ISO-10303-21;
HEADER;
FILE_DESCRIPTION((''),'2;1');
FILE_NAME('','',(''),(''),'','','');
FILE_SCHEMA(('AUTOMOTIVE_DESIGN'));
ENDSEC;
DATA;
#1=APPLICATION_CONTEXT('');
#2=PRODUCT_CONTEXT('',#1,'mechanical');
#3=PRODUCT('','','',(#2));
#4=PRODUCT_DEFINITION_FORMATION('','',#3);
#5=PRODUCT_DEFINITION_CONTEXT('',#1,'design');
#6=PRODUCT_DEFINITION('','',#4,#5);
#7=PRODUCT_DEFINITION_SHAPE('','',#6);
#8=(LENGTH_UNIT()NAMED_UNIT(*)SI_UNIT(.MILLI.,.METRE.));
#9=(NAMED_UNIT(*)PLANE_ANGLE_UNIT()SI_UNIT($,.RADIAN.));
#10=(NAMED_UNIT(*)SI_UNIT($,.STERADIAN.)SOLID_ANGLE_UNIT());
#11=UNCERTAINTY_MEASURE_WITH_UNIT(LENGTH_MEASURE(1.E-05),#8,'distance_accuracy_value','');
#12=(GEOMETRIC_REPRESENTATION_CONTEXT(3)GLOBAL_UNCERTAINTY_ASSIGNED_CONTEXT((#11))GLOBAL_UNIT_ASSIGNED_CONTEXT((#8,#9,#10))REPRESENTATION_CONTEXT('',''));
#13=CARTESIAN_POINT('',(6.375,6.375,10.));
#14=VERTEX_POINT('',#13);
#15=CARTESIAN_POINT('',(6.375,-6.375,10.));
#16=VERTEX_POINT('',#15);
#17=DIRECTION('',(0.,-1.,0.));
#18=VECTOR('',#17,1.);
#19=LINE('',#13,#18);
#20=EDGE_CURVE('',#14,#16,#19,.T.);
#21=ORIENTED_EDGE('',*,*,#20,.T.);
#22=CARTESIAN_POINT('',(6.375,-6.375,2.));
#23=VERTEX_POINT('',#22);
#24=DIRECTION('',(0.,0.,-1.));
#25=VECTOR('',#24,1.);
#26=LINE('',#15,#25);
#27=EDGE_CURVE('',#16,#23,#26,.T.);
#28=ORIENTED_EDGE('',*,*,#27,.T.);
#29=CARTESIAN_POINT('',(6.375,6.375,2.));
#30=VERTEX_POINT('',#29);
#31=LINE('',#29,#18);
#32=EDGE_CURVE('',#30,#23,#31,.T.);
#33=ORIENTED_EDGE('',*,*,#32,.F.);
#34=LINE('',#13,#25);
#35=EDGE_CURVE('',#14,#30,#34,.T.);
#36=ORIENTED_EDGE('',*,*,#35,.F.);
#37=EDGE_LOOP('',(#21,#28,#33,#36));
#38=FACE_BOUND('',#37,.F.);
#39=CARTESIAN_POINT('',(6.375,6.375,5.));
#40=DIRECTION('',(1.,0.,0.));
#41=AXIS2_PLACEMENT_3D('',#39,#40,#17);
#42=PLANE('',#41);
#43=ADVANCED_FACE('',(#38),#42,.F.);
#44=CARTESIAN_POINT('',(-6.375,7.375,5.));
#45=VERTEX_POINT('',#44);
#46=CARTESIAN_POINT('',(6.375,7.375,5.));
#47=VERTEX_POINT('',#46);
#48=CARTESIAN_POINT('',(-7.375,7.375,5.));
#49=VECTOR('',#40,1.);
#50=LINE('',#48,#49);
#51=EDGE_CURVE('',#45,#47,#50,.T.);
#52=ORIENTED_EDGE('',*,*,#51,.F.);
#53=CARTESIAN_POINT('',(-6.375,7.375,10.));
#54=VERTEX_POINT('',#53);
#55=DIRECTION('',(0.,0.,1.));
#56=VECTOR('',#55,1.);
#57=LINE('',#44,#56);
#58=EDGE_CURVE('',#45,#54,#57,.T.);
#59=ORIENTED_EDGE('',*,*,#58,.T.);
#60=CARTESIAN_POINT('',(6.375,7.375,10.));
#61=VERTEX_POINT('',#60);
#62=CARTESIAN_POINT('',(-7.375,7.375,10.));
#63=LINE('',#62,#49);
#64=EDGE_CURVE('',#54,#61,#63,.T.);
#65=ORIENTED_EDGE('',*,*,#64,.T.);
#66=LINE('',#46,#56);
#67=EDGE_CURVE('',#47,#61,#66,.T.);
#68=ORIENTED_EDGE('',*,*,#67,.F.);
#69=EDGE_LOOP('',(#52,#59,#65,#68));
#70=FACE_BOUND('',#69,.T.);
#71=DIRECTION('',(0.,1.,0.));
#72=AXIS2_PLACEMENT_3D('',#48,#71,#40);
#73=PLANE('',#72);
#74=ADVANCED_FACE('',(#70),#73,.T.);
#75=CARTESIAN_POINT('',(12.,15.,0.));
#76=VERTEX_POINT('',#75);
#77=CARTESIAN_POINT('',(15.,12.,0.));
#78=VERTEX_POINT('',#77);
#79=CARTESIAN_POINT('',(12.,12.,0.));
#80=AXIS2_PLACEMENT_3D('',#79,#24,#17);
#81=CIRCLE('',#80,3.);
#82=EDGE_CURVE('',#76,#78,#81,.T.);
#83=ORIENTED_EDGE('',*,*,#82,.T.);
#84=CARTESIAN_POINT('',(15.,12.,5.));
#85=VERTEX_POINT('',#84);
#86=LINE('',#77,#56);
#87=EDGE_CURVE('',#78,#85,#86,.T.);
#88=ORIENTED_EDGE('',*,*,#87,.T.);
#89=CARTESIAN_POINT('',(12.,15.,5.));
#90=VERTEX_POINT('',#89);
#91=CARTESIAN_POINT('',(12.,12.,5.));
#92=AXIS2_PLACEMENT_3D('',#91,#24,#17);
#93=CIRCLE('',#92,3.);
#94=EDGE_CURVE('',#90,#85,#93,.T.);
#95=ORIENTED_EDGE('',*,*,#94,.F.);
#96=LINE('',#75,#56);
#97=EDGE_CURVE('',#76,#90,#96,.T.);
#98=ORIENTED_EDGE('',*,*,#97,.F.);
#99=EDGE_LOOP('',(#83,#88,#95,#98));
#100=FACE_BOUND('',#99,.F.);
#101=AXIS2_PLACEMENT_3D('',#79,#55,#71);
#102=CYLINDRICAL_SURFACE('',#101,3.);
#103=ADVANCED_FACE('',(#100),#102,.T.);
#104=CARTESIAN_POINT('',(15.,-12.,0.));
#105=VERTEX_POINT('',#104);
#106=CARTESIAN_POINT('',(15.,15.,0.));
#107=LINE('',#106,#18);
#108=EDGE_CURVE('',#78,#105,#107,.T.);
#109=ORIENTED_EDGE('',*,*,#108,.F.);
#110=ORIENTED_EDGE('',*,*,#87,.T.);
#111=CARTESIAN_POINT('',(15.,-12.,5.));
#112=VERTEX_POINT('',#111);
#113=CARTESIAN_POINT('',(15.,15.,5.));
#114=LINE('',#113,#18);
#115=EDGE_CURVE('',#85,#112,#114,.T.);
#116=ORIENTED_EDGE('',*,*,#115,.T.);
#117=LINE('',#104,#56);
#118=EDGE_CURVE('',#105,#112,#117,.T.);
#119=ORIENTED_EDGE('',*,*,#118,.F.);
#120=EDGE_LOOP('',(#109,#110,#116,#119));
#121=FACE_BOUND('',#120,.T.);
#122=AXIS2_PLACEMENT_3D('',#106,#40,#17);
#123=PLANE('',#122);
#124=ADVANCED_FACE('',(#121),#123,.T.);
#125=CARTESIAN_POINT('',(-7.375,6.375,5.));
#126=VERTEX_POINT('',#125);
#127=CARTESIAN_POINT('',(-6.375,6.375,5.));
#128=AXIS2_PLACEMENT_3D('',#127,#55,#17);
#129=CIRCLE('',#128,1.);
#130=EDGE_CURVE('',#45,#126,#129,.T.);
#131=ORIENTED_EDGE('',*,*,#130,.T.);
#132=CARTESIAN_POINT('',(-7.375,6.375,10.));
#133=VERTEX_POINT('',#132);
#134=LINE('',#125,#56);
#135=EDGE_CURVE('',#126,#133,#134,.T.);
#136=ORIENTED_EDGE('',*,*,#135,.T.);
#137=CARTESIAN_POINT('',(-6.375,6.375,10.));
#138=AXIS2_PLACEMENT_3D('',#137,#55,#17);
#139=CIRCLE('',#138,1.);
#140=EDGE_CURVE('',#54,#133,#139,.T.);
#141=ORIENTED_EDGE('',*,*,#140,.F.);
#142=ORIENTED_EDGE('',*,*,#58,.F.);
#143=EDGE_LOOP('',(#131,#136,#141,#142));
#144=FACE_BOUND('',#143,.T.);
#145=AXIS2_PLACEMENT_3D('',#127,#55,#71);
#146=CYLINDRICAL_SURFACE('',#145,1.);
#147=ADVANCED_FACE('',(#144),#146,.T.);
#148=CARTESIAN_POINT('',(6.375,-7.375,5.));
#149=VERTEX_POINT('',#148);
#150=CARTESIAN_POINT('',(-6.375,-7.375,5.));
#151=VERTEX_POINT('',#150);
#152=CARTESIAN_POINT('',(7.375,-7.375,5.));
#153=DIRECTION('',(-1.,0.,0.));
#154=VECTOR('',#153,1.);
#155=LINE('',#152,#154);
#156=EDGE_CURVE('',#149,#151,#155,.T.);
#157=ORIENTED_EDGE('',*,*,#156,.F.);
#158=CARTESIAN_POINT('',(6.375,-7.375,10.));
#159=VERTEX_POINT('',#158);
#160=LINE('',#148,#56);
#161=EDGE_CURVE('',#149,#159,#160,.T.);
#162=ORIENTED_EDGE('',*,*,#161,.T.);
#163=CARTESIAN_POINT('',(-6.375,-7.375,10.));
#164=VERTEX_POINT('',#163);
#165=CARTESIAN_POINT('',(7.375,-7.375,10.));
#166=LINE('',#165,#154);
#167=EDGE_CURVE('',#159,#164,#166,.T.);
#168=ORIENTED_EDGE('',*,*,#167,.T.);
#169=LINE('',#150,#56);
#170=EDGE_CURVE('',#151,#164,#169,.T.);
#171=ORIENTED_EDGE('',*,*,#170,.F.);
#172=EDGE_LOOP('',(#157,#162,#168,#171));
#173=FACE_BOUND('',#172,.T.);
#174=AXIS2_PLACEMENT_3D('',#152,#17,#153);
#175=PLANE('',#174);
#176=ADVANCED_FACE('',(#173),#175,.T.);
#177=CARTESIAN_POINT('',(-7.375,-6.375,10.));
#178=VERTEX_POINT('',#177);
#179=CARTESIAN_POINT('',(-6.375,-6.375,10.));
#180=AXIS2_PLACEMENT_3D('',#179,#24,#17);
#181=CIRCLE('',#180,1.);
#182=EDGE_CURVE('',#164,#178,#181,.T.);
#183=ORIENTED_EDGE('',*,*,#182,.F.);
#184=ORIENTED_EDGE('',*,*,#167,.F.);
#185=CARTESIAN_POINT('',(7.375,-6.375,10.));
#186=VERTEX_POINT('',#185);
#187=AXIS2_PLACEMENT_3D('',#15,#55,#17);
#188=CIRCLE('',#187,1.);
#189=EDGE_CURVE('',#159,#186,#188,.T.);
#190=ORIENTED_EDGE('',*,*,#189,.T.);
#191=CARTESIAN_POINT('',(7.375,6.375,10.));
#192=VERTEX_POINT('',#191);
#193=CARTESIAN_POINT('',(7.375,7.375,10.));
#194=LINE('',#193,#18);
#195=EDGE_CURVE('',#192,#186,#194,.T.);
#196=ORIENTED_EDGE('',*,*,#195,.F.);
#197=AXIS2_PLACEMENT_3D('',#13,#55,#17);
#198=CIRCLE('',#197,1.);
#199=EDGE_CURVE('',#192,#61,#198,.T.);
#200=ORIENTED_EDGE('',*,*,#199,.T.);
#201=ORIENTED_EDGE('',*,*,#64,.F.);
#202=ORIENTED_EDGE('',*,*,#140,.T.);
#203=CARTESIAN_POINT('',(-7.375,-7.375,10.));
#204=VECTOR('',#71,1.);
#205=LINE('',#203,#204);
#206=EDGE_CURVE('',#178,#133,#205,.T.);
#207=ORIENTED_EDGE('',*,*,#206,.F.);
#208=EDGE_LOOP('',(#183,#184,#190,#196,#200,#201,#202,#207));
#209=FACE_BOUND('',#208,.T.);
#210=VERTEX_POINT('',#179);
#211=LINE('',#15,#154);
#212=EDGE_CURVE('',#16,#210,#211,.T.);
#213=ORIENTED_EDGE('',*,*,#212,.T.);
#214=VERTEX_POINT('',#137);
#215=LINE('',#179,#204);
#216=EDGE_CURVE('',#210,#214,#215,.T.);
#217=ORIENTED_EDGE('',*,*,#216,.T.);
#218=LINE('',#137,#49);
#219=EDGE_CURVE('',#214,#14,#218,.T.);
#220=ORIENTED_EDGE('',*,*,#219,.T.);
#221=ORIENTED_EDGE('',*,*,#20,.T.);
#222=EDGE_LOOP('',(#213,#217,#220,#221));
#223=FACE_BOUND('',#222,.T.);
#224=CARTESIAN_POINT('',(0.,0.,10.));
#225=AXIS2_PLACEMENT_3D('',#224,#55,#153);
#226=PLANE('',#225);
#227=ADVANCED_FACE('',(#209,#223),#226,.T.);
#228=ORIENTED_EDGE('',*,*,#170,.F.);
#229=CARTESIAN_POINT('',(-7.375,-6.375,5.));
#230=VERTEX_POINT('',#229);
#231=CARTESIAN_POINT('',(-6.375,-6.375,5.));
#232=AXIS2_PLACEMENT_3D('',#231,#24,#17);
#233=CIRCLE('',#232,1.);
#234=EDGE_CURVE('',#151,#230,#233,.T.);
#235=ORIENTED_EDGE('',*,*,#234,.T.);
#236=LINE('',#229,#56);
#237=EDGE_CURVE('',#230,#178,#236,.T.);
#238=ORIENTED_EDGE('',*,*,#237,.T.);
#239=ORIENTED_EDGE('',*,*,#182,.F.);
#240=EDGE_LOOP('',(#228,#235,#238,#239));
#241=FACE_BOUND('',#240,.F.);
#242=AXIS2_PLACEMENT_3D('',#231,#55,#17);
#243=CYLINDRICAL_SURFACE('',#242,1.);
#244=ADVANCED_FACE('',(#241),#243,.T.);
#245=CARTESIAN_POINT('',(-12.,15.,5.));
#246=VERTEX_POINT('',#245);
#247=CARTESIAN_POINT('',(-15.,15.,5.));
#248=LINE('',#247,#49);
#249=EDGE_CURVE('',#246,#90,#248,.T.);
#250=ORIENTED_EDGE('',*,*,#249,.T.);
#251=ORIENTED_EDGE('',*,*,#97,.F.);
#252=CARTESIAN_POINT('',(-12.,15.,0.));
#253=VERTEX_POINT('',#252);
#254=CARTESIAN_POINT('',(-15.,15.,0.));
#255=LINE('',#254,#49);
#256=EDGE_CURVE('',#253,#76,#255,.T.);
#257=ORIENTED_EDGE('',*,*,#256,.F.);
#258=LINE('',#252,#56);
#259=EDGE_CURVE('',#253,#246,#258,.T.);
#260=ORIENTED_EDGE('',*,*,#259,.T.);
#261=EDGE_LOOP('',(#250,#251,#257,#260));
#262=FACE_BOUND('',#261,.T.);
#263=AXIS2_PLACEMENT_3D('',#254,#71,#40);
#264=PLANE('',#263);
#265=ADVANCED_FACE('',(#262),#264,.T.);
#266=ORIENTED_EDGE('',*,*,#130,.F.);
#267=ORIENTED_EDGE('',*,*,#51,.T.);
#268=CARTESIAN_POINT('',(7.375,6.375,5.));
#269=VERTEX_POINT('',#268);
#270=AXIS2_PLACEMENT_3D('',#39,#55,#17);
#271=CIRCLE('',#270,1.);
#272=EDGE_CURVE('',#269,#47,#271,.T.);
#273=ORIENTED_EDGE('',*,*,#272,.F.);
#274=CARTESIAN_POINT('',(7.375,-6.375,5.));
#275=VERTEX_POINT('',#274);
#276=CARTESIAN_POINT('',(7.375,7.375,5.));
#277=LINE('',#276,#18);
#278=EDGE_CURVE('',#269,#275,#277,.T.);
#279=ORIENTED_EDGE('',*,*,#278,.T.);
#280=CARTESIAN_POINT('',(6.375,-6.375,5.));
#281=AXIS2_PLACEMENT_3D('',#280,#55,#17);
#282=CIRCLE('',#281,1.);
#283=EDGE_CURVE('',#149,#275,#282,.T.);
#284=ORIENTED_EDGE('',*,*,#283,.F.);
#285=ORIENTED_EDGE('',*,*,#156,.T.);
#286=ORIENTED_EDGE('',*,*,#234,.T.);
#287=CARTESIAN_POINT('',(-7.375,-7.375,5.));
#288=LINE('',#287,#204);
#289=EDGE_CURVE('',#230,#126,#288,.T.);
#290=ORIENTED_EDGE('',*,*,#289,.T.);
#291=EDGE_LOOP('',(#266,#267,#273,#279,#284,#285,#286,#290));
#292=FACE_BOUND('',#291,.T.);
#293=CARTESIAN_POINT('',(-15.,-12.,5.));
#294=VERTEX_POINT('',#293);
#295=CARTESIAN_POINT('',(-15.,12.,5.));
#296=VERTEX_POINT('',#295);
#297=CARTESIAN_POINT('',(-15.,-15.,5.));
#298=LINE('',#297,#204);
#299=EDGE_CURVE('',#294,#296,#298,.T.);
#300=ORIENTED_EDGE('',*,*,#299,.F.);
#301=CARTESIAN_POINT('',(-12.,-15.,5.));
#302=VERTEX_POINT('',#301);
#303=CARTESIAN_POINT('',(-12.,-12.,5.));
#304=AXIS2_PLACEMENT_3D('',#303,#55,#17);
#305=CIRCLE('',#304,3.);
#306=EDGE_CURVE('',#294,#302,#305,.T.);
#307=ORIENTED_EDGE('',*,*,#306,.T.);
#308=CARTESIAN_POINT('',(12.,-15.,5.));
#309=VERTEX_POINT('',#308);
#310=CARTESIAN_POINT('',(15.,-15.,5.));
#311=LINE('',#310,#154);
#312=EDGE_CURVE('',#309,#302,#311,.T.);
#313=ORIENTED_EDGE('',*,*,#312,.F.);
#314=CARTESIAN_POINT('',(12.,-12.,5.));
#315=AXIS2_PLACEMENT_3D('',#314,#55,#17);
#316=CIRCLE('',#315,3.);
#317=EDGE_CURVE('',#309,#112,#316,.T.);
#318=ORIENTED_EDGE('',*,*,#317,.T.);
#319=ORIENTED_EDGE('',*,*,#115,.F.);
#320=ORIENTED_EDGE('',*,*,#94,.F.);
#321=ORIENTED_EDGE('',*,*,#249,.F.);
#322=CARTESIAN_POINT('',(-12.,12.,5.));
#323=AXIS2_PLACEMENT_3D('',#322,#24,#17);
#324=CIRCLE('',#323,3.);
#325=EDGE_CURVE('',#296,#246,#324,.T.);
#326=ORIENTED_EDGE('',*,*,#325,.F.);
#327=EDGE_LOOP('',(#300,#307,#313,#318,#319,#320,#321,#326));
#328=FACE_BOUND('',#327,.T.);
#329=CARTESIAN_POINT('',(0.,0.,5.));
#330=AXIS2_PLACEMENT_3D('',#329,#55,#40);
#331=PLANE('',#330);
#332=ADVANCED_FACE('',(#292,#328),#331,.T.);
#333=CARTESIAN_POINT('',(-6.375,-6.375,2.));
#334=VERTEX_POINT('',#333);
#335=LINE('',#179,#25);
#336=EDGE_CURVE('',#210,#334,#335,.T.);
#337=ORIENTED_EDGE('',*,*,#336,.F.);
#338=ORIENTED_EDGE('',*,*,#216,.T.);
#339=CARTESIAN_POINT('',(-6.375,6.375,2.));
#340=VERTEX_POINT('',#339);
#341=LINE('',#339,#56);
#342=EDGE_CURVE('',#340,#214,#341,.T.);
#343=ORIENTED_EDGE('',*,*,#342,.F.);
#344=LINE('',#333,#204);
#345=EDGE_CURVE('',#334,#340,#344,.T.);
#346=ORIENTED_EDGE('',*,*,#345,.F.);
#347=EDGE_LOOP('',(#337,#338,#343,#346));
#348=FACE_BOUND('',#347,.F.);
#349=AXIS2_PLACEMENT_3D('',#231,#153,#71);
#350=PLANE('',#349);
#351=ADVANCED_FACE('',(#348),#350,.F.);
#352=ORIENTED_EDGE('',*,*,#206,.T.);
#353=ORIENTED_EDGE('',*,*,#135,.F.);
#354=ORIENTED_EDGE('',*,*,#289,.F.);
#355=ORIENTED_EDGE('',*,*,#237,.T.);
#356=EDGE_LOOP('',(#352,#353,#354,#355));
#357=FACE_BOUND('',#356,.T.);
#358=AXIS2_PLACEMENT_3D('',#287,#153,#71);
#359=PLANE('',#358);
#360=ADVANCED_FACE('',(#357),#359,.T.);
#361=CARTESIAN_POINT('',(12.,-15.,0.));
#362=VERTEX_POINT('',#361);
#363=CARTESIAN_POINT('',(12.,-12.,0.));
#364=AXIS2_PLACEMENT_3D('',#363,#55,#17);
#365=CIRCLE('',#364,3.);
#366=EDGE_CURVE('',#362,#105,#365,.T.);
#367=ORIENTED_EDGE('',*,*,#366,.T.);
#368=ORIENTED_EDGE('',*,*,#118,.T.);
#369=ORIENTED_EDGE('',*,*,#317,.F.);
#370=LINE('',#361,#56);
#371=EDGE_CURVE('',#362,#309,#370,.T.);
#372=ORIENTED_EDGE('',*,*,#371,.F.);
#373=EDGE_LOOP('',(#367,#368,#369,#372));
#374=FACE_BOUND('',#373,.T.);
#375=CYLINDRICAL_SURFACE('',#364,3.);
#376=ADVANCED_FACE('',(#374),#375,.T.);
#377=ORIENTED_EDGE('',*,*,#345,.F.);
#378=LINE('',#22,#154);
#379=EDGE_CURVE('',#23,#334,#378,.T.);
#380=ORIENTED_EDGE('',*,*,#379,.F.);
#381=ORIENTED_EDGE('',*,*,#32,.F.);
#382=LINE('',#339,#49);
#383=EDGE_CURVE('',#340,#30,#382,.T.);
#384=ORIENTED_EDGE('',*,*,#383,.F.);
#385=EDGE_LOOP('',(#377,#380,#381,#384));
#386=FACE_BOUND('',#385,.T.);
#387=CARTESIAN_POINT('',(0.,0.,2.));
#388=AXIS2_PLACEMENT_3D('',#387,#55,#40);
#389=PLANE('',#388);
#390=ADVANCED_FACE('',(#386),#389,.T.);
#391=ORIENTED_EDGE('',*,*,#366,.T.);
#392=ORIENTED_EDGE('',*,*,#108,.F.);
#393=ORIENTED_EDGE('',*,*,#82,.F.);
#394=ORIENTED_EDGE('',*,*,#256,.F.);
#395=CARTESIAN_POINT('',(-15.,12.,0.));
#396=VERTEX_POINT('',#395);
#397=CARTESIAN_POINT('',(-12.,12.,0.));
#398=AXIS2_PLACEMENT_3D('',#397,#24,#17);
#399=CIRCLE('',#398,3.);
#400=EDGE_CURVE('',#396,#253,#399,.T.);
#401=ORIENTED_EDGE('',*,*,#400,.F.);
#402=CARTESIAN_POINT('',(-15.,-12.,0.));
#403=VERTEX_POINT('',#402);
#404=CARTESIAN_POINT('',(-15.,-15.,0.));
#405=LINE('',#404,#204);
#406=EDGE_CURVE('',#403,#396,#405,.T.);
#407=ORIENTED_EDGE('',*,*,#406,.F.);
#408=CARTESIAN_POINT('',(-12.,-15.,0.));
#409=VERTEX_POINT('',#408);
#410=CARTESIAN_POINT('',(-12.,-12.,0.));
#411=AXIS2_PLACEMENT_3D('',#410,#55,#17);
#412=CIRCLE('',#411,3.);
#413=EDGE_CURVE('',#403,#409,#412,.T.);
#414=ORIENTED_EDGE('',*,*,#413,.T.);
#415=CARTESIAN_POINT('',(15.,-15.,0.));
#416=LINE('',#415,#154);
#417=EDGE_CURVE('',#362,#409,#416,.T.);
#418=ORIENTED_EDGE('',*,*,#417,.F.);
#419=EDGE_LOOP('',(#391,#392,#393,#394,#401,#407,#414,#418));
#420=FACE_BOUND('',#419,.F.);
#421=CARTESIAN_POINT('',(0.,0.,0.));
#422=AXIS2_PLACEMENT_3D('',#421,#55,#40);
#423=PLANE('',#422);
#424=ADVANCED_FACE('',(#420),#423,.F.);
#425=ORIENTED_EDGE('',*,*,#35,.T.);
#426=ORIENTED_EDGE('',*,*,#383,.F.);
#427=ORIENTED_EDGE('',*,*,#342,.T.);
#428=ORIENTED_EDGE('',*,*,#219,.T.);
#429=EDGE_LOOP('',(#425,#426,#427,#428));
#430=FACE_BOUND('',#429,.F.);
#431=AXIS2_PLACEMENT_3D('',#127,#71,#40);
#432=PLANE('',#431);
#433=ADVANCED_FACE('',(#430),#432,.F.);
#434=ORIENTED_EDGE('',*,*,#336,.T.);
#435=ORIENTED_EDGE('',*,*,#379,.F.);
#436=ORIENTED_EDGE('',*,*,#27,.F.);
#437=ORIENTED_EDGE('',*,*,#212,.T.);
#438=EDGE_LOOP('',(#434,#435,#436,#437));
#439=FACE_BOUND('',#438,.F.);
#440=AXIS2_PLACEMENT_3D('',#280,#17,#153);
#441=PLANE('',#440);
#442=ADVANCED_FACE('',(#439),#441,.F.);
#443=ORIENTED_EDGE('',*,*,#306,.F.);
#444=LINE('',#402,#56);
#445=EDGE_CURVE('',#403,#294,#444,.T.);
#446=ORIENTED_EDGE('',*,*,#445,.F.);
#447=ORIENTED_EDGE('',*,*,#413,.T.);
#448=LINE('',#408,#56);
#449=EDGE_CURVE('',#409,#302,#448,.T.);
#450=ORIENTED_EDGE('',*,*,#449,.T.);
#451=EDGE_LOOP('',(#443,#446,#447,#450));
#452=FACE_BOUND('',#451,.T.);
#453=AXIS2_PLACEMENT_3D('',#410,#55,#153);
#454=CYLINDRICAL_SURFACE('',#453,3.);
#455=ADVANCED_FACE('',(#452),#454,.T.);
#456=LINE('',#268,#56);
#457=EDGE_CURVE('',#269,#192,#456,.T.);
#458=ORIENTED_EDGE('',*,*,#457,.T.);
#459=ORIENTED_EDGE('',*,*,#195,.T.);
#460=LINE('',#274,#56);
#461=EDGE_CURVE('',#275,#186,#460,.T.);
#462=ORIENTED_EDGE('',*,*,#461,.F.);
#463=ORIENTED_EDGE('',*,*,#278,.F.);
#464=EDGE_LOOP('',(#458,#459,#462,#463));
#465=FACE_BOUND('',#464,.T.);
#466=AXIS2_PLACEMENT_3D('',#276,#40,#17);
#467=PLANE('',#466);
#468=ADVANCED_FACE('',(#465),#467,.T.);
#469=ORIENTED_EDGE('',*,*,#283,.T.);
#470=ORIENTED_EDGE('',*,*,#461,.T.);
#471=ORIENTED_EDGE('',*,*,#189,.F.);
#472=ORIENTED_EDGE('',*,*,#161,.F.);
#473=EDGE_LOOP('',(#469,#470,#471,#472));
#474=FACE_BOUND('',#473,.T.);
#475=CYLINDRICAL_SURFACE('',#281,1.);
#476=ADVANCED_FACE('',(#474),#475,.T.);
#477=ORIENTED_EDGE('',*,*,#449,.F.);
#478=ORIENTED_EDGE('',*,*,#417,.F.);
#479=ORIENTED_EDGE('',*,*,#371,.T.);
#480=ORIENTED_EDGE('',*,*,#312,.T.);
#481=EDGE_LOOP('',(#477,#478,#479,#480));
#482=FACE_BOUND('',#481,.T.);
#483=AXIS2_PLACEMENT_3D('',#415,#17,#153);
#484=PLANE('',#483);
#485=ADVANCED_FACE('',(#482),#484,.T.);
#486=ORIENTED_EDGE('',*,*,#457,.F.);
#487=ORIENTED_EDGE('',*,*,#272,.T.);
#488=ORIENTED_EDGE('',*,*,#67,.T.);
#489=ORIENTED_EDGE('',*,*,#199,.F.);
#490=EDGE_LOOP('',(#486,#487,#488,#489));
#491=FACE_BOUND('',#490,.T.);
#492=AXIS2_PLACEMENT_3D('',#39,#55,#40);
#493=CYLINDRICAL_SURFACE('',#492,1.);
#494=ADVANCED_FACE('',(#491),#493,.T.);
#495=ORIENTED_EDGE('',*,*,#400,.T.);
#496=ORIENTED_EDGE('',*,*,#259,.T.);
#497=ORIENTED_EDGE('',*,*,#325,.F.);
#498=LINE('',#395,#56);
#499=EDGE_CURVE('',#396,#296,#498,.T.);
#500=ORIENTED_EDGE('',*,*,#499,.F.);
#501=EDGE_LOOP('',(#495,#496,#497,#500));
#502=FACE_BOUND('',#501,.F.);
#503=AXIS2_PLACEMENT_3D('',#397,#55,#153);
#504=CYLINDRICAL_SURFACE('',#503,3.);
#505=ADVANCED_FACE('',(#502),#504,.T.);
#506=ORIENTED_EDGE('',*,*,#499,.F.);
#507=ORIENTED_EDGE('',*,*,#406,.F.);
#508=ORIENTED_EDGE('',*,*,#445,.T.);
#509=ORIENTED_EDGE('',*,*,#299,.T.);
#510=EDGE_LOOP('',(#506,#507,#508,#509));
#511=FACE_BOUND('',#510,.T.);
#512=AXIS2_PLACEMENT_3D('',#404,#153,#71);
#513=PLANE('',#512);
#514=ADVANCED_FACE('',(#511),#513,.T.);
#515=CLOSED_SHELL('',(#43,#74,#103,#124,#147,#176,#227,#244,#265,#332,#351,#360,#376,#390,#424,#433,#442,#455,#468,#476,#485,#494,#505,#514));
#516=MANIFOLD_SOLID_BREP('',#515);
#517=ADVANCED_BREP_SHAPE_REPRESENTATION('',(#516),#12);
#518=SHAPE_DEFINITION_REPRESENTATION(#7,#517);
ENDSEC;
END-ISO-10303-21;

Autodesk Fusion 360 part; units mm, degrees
sketch "Sketch1" plane through (0, 0, 0) normal (0, 0, 1) x (1, 0, 0)
  line L0 (15, -15) -> (-15, -15)
  line L1 (-15, -15) -> (-15, 15)
  line L2 (-15, 15) -> (15, 15)
  line L3 (15, 15) -> (15, -15)
  line L4 (15, -15) -> (-15, 15) construction
  line L5 (-15, -15) -> (15, 15) construction
  dimension "d1" = 30
  dimension "d2" = 30
extrude "Extrude1" add sketch "Sketch1" along normal blind 5 makes body 1
sketch "Sketch2" plane through (0, 0, 5) normal (0, 0, 1) x (-1, 0, 0)
  line L0 (-15, -15) -> (15, -15)
  line L1 (15, -15) -> (15, 15)
  line L2 (15, 15) -> (-15, 15)
  line L3 (-15, 15) -> (-15, -15)
  line L4 (6.375, -6.375) -> (-6.375, -6.375)
  line L5 (-6.375, -6.375) -> (-6.375, 6.375)
  line L6 (-6.375, 6.375) -> (6.375, 6.375)
  line L7 (6.375, 6.375) -> (6.375, -6.375)
  line L8 (6.375, -6.375) -> (-6.375, 6.375) construction
  line L9 (-6.375, -6.375) -> (6.375, 6.375) construction
  line L10 (7.375, 7.375) -> (7.375, -7.375)
  line L11 (7.375, -7.375) -> (-7.375, -7.375)
  line L12 (-7.375, -7.375) -> (-7.375, 7.375)
  line L13 (-7.375, 7.375) -> (7.375, 7.375)
  dimension "d5" = 12.75
  dimension "d6" = 12.75
  dimension "d7" = -1
extrude "Extrude2" add sketch "Sketch2" along normal blind 5 contours L10 L11 L12 L13 bodies 1
extrude "Extrude3" cut 1 faces at (-2.125, -2.125, 5) along direction (0, 0, -1) up to surface (3 mm away) on bodies 1 bodies 1
fillet "Fillet1" radius 3 1 edges at (-15, 15, 2.5) on bodies 1
fillet "Fillet2" radius 3 3 edges at (-15, -15, 2.5) (15, -15, 2.5) (15, 15, 2.5) on bodies 1
fillet "Fillet3" radius 1 4 edges at (7.375, 7.375, 7.5) (-7.375, 7.375, 7.5) (7.375, -7.375, 7.5) (-7.375, -7.375, 7.5) on bodies 1
copy_body "Body->Comp1" bodies 1 removing the originals makes body 2 in component "Cuvette_Holder"
component "Cuvette_Holder" placed x (1, 0, 0) y (0, 1, 0) z (0, 0, 1) at (0, 0, 0)
